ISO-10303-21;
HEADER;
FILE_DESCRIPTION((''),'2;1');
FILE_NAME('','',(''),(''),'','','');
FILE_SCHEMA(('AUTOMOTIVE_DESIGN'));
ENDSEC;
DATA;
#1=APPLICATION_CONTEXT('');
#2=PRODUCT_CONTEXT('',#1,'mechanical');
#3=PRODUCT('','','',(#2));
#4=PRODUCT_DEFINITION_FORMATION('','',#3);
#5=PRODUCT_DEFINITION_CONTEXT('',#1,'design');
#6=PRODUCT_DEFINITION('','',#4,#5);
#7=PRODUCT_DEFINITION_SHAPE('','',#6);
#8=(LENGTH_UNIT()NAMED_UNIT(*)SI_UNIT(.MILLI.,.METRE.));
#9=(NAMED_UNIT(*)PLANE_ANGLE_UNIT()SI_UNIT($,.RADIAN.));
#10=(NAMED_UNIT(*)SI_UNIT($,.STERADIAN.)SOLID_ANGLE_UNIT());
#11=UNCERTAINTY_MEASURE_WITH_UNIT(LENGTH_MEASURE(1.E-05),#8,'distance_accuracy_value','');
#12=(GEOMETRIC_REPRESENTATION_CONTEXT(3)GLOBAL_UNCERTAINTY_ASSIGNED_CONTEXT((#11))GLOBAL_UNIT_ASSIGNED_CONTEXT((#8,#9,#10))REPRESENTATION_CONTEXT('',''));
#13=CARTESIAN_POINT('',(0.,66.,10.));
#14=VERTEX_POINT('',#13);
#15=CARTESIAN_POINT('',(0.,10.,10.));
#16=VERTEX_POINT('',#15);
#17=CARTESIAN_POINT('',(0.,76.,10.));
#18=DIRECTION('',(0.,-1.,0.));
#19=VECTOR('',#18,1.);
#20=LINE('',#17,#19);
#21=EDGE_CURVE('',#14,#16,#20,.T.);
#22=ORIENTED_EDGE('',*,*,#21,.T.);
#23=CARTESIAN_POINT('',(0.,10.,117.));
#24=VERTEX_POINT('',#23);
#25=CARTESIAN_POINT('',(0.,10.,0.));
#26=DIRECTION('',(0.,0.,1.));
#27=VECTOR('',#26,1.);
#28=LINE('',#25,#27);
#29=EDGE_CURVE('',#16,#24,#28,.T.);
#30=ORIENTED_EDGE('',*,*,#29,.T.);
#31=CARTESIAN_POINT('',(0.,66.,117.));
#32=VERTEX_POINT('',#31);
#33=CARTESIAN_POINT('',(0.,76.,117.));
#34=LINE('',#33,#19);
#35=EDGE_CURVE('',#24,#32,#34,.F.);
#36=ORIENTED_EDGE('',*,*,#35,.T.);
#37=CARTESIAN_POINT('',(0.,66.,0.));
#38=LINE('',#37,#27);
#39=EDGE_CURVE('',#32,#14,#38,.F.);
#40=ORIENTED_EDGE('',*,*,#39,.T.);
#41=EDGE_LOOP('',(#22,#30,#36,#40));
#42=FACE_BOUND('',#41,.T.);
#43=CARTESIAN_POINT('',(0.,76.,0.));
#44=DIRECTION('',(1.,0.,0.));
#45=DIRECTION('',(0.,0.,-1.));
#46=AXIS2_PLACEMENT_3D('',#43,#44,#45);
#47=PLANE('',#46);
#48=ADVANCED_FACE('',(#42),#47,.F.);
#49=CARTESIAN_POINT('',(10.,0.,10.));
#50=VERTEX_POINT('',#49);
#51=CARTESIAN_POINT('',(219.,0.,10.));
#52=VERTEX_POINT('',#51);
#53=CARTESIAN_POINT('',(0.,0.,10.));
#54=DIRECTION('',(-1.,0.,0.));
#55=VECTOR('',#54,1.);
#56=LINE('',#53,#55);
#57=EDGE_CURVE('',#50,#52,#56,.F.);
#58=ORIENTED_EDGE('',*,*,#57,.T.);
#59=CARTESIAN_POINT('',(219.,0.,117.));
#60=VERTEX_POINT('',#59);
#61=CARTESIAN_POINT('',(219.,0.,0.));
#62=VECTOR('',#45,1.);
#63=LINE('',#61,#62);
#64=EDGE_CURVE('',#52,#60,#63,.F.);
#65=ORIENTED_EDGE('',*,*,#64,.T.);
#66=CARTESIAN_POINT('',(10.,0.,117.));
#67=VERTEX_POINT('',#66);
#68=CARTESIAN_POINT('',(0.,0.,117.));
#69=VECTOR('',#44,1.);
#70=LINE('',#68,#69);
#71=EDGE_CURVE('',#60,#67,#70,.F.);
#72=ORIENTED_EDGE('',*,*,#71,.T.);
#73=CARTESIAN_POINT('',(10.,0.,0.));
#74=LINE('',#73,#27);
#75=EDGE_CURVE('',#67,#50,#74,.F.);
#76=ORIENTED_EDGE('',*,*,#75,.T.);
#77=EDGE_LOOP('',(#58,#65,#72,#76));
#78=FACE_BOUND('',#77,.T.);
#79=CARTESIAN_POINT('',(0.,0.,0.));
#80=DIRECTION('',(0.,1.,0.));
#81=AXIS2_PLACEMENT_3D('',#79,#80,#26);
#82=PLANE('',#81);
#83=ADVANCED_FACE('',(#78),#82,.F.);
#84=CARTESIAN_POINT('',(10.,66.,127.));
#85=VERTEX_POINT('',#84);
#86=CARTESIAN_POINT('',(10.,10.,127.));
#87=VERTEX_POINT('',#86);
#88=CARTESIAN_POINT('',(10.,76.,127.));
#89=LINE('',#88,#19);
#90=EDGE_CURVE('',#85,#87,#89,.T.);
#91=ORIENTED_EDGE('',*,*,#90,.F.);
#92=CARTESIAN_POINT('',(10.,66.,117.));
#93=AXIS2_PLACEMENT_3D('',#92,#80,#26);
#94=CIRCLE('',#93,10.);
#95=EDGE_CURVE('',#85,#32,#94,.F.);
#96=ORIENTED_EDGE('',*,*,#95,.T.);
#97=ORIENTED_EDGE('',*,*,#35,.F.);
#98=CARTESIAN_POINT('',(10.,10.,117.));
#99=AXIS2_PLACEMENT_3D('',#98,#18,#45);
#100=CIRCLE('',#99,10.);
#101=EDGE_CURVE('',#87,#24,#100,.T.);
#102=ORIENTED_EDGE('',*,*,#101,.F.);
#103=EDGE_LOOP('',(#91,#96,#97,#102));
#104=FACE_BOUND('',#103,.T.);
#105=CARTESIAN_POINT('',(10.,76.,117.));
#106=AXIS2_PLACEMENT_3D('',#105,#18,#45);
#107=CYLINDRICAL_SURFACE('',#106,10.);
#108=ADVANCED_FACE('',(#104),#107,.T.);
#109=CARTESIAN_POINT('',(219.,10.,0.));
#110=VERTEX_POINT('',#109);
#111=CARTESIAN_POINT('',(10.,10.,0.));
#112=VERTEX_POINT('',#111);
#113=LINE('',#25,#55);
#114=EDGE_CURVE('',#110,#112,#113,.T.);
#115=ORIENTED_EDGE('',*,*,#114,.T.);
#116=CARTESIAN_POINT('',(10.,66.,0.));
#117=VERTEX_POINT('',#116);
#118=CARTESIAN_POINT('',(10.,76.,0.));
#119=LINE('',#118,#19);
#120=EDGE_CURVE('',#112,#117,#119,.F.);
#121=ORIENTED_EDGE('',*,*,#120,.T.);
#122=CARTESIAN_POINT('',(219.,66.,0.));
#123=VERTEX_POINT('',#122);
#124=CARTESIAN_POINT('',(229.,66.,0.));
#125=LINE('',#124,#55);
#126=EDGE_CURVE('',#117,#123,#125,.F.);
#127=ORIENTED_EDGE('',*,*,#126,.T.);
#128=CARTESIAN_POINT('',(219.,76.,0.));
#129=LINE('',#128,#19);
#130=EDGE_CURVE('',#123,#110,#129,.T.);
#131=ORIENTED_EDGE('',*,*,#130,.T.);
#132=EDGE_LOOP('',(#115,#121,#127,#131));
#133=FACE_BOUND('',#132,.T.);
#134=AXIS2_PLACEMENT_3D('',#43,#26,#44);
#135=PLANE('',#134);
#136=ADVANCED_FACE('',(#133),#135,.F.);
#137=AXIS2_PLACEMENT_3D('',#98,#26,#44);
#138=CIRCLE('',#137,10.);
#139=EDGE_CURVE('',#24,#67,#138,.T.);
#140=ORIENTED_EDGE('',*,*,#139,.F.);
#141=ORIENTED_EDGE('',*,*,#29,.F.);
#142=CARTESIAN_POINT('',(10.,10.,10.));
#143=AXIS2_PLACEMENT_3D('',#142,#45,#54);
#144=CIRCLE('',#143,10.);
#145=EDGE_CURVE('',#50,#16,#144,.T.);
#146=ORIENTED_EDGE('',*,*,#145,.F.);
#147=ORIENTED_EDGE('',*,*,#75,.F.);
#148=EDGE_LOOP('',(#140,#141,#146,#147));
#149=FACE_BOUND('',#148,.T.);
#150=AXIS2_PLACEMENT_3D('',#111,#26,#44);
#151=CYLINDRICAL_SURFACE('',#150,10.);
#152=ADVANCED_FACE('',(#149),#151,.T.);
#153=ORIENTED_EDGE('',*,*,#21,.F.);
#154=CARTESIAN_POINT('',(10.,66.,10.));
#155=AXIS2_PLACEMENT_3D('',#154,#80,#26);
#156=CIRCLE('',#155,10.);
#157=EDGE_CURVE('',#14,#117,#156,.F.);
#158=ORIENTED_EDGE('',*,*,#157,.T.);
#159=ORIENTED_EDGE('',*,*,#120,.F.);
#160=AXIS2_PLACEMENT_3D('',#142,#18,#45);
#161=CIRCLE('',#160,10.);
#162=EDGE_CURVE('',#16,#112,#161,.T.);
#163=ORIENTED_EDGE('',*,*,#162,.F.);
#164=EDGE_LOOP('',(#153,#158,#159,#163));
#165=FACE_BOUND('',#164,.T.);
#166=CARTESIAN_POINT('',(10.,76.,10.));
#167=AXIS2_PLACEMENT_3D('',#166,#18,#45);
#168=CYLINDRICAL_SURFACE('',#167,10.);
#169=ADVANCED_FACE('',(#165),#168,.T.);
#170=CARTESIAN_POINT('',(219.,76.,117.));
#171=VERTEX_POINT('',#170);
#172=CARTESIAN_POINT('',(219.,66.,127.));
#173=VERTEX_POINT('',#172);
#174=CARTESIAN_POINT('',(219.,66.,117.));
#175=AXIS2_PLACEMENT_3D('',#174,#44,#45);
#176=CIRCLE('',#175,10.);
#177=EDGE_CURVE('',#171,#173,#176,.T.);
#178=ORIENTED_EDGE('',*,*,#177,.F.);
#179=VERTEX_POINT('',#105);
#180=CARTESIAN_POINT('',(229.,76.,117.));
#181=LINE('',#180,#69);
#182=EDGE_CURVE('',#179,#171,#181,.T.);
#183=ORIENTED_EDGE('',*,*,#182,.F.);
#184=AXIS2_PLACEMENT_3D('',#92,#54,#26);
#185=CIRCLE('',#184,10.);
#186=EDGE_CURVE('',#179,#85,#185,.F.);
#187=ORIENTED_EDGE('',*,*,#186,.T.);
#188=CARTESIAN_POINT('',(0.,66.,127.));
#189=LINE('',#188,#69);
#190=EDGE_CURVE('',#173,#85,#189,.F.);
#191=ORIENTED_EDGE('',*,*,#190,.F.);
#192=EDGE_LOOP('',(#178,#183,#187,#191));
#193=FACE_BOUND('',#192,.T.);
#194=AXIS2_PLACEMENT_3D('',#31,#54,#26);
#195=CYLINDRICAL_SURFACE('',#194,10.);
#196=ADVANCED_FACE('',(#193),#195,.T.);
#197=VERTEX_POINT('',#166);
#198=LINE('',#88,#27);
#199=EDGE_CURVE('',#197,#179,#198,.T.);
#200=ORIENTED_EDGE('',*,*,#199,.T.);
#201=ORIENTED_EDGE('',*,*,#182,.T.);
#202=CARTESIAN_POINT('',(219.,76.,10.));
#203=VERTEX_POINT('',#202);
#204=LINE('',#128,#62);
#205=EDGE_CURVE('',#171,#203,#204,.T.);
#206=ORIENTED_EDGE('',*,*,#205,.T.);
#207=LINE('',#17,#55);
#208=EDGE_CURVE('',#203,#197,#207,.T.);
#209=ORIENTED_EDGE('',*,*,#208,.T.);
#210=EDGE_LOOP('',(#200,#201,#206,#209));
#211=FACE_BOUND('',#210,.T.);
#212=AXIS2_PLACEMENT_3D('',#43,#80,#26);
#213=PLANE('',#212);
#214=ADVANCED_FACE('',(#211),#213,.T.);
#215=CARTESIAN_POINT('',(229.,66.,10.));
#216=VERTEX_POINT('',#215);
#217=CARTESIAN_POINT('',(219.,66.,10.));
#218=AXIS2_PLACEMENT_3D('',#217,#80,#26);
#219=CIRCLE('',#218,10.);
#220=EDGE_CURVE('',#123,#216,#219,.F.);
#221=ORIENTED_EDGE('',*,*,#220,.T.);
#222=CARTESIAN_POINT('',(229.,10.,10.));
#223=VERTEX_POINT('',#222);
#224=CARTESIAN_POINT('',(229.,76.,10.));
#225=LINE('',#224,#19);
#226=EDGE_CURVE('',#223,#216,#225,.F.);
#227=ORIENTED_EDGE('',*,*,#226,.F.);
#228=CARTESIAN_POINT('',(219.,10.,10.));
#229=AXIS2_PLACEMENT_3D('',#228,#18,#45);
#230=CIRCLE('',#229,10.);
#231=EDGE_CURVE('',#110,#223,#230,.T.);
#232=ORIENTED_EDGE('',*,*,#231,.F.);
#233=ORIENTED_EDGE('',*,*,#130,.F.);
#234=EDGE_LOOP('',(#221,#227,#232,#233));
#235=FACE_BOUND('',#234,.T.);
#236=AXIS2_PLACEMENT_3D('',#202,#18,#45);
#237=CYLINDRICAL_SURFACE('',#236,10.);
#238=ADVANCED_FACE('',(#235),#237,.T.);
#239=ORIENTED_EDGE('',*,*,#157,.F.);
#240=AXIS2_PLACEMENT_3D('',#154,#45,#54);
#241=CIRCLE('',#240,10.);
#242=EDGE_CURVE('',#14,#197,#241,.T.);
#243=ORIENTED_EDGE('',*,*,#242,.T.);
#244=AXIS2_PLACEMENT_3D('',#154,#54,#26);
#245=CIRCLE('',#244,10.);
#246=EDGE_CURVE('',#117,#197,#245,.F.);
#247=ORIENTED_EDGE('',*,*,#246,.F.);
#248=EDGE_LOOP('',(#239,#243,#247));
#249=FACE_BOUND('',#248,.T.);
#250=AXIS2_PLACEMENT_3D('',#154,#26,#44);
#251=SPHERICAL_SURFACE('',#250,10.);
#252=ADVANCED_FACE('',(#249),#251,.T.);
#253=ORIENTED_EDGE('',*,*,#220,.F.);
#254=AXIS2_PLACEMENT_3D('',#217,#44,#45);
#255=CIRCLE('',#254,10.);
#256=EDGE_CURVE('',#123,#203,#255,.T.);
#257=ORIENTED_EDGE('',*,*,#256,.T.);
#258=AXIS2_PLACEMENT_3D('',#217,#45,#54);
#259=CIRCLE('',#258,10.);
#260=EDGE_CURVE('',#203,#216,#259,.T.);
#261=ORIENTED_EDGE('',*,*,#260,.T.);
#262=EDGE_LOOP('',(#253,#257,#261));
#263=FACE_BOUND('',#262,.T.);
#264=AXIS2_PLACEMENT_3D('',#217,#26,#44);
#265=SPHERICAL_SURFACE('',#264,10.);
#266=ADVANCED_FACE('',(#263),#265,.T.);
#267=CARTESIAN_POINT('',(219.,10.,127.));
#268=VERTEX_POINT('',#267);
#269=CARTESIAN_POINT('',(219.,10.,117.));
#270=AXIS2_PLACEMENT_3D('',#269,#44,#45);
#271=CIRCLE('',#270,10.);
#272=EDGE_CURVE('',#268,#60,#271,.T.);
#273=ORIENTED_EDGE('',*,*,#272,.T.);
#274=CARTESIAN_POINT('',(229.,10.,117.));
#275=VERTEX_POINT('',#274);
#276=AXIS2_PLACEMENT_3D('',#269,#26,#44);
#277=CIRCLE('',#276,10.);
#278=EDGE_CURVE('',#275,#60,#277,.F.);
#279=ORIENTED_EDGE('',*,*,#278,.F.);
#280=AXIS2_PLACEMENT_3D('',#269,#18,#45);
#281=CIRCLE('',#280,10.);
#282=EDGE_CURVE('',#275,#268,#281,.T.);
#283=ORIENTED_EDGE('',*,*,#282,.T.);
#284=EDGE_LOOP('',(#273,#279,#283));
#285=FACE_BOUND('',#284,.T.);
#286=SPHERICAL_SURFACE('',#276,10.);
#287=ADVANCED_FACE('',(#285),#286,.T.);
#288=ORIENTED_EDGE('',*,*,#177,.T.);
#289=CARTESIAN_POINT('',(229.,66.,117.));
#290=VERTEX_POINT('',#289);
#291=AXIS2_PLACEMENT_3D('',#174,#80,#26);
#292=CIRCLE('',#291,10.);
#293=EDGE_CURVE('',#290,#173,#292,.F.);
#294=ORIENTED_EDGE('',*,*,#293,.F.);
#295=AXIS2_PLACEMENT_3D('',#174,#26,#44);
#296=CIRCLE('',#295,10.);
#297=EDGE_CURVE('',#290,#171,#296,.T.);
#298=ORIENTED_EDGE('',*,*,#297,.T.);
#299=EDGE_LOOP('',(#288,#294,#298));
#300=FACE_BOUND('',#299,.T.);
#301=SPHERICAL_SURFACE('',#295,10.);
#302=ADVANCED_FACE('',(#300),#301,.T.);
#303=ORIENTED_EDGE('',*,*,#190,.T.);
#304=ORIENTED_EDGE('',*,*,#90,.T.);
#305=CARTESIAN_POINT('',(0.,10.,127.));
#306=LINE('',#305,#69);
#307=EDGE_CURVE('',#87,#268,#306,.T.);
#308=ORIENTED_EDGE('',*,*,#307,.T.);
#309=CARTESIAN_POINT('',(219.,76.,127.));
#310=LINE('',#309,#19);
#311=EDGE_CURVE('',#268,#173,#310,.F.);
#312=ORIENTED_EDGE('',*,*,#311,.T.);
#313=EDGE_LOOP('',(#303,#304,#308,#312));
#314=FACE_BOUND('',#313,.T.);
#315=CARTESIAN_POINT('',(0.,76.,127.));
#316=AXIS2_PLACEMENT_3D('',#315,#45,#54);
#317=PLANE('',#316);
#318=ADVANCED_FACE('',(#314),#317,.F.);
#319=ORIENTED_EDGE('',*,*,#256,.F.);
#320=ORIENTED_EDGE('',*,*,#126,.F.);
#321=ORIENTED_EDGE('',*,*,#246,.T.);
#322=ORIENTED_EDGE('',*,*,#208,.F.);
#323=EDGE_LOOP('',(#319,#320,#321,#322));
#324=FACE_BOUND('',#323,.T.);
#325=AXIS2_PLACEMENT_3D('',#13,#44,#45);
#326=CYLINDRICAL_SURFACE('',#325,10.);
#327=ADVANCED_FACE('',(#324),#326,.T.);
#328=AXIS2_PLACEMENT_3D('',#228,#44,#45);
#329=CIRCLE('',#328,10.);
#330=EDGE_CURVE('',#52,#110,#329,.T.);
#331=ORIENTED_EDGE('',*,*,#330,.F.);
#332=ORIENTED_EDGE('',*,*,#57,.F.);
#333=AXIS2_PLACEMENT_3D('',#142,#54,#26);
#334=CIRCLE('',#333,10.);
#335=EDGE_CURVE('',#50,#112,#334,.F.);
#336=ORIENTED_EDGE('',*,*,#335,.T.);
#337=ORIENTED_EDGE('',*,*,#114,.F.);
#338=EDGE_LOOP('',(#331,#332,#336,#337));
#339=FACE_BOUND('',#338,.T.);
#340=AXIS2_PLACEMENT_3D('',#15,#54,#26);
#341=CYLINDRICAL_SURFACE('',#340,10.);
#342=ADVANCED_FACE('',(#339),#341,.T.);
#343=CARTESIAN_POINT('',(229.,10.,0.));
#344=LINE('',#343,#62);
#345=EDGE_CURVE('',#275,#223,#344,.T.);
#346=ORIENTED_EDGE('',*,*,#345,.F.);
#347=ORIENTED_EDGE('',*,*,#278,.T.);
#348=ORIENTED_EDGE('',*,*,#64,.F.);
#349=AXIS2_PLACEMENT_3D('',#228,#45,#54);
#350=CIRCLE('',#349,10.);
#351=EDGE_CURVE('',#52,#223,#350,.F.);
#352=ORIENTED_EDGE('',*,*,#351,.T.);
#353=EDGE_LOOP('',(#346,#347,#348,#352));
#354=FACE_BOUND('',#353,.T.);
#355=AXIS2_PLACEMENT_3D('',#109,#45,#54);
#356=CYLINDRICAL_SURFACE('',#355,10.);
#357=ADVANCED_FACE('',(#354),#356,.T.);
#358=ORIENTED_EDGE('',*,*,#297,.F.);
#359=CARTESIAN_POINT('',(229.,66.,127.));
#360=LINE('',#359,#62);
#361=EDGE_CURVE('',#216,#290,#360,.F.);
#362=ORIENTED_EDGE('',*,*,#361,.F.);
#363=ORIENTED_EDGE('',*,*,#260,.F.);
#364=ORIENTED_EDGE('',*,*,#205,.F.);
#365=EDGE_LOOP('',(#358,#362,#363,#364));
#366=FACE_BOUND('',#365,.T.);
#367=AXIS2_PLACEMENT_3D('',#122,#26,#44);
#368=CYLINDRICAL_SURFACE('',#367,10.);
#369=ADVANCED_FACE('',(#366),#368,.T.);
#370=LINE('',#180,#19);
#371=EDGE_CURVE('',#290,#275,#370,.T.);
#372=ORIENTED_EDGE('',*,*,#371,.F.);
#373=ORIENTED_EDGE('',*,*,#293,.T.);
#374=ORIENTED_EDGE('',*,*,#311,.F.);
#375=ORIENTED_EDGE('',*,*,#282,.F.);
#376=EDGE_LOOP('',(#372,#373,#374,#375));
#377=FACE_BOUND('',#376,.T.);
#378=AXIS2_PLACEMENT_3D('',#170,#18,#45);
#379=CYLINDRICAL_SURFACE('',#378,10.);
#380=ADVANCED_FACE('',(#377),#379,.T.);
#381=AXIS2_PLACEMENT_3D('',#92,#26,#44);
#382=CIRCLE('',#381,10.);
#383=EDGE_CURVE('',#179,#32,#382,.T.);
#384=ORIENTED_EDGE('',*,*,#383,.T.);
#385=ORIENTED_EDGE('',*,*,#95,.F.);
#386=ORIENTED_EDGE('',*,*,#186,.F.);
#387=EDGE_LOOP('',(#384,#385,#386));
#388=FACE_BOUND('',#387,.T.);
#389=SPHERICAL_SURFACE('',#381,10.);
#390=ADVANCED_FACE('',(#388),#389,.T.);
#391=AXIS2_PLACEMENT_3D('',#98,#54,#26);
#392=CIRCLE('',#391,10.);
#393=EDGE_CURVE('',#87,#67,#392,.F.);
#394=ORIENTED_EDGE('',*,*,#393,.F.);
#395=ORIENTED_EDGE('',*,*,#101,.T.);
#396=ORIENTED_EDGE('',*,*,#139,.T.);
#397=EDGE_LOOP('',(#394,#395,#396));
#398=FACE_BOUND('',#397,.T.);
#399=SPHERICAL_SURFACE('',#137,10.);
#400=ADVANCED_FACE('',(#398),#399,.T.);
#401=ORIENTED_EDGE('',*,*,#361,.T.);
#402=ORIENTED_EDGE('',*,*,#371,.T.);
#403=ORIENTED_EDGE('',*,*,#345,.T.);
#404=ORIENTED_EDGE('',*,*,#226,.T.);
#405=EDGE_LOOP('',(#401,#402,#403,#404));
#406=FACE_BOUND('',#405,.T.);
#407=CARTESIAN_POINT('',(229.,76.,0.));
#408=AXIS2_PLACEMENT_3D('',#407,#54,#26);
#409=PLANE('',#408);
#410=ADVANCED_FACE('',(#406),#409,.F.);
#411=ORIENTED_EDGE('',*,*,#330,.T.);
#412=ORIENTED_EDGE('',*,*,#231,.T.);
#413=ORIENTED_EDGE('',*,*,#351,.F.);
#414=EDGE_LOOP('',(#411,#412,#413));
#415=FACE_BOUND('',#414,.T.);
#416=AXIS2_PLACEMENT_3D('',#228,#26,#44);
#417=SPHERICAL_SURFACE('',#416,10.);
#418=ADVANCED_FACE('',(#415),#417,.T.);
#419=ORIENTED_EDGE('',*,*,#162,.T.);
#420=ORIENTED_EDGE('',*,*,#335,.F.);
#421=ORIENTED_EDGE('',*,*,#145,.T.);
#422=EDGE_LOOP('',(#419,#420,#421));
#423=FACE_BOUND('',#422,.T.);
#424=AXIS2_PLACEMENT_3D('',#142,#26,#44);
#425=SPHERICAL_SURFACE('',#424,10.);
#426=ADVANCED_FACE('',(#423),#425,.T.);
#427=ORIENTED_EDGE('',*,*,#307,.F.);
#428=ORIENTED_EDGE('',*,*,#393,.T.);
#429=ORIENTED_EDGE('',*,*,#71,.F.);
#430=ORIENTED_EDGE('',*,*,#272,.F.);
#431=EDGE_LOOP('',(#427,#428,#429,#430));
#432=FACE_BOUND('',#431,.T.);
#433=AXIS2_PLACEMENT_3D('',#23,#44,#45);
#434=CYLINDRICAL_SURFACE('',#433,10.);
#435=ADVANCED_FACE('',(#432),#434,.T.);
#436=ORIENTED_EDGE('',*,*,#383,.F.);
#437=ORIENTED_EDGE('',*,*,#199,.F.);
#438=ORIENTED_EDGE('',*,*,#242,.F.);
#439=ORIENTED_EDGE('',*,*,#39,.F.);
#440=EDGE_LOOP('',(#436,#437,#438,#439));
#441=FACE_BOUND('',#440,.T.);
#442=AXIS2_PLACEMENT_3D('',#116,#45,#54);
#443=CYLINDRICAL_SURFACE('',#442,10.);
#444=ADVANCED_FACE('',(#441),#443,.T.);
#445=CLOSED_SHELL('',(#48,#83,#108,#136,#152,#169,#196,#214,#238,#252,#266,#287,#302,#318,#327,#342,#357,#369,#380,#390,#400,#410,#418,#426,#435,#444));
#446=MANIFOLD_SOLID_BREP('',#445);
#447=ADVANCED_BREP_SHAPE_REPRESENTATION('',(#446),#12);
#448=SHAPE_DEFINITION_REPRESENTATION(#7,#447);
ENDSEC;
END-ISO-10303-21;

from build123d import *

# Parameters (mm, degrees)
SKETCH1_W           = 229
SKETCH1_H           = 127
BOSS_EXTRUDE1_DEPTH = 76
FILLET1_R           = 10


with BuildPart() as part:
    # Sketch1 → Boss-Extrude1 (new body)
    with BuildSketch(Plane(origin=(0, 0, 0), x_dir=(1, 0, 0), z_dir=(0, 1, 0))):
        with Locations((114.5, -63.5)):
            Rectangle(SKETCH1_W, SKETCH1_H)
    extrude(amount=BOSS_EXTRUDE1_DEPTH)

    # Fillet1
    fillet1_edges = [part.edges().sort_by_distance(p)[0] for p in [
        (229, 76, 63.5),
        (114.5, 76, 0),
        (0, 76, 63.5),
        (114.5, 0, 0),
        (229, 0, 63.5),
        (114.5, 0, 127),
        (0, 0, 63.5),
        (0, 38, 0),
        (229, 38, 0),
        (229, 38, 127),
        (0, 38, 127),
        (114.5, 76, 127),
    ]]
    fillet(fillet1_edges, radius=FILLET1_R)


solid = part.part
